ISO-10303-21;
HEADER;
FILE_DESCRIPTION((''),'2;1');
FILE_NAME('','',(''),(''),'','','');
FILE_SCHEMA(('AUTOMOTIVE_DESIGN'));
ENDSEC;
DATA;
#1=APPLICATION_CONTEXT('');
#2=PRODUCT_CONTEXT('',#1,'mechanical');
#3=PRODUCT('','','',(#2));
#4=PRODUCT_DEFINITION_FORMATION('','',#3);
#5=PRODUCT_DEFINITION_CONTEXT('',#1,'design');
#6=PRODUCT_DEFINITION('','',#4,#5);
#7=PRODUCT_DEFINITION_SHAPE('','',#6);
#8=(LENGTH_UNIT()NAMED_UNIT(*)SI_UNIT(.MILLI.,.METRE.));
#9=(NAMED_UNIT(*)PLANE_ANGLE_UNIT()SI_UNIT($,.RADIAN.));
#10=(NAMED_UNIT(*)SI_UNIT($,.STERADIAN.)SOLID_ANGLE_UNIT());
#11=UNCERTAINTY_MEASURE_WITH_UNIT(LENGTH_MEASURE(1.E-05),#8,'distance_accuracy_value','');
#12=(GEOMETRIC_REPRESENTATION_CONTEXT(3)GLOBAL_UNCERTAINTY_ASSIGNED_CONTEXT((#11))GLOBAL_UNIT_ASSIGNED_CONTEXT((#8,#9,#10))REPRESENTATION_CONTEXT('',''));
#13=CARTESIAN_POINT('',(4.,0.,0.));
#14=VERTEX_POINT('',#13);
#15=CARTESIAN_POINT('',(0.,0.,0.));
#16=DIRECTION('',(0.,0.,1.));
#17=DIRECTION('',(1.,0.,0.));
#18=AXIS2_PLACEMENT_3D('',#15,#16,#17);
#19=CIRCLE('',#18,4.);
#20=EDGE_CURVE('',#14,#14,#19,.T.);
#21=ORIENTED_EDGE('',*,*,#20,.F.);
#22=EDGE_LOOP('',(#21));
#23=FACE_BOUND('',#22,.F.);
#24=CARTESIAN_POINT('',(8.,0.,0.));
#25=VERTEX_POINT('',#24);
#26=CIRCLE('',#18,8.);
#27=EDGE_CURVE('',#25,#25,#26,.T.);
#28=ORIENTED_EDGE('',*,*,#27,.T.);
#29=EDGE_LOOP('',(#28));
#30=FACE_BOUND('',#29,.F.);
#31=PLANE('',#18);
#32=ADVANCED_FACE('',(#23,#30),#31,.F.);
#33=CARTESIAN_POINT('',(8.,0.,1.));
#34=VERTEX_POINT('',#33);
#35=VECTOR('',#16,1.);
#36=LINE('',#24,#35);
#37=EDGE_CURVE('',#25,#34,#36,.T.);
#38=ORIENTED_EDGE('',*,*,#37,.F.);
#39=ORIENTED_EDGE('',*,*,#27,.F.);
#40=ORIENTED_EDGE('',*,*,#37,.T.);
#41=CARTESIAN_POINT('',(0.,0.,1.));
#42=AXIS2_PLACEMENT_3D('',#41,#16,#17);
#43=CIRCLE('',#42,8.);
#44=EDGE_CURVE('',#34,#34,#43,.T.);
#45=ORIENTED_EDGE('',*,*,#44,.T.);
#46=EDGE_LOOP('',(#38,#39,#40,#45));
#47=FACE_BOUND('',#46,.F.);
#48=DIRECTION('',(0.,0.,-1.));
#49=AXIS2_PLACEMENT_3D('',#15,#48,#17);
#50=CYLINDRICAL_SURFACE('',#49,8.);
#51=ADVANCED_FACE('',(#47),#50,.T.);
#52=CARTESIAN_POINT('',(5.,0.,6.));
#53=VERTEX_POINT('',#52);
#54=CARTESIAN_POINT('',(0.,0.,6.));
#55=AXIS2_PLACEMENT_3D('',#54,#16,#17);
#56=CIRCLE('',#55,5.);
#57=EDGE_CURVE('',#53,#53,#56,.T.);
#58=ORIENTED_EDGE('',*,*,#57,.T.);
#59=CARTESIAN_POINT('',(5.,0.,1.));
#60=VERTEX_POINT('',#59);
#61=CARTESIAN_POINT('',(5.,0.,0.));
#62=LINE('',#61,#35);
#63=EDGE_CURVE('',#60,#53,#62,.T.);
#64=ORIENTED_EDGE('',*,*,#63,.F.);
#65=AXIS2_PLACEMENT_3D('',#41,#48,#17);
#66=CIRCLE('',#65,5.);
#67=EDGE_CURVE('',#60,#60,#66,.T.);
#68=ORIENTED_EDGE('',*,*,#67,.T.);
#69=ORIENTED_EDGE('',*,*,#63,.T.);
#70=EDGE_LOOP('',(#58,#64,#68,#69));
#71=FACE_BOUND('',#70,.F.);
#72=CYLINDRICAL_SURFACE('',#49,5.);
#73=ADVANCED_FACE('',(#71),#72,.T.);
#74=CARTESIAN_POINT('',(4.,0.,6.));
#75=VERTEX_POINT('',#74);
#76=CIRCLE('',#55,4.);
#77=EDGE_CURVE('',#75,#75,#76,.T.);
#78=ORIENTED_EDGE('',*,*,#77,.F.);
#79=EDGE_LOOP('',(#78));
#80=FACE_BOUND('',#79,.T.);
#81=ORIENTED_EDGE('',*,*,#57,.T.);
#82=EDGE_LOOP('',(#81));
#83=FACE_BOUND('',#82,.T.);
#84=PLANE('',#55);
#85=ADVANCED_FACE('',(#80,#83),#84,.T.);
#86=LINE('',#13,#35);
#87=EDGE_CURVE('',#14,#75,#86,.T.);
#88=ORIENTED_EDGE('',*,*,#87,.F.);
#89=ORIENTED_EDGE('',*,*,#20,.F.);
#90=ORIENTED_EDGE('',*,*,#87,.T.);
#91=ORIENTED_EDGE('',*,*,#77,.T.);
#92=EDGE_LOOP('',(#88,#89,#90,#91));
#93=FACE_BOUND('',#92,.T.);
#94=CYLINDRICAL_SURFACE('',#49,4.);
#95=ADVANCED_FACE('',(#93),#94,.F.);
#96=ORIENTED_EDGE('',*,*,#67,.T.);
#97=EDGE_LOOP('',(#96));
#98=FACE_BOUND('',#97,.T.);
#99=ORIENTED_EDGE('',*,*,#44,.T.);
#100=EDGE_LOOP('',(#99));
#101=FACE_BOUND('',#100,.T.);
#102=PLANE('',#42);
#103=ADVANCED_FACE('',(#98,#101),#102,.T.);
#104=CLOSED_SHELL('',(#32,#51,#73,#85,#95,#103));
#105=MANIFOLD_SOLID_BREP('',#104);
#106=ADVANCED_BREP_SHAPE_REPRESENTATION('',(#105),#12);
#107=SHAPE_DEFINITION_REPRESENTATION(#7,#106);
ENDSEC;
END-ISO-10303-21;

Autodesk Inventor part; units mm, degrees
ref_plane "YZ Plane" through (0, 0, 0) normal (1, 0, 0) x (0, 1, 0)
ref_plane "XZ Plane" through (0, 0, 0) normal (0, 1, 0) x (-1, 0, 0)
ref_plane "XY Plane" through (0, 0, 0) normal (0, 0, 1) x (1, 0, 0)
sketch "スケッチ1" plane through (0, 0, 0) normal (0, 0, 1) x (1, 0, 0)
  circle A0 centre (0, 0) radius 4
  circle A1 centre (0, 0) radius 5
  circle A2 centre (0, 0) radius 8
  dimension "d0" = 8
  dimension "d1" = 10
  dimension "d2" = 16
extrude "押し出し1" add sketch "スケッチ1" along normal blind 1 contours A1 | A2
extrude "押し出し2" add sketch "スケッチ1" along normal blind 6 contours A1
properties part number "フランジブッシュ　d8-D10-l5-f16" material "アセタール樹脂、黒"
